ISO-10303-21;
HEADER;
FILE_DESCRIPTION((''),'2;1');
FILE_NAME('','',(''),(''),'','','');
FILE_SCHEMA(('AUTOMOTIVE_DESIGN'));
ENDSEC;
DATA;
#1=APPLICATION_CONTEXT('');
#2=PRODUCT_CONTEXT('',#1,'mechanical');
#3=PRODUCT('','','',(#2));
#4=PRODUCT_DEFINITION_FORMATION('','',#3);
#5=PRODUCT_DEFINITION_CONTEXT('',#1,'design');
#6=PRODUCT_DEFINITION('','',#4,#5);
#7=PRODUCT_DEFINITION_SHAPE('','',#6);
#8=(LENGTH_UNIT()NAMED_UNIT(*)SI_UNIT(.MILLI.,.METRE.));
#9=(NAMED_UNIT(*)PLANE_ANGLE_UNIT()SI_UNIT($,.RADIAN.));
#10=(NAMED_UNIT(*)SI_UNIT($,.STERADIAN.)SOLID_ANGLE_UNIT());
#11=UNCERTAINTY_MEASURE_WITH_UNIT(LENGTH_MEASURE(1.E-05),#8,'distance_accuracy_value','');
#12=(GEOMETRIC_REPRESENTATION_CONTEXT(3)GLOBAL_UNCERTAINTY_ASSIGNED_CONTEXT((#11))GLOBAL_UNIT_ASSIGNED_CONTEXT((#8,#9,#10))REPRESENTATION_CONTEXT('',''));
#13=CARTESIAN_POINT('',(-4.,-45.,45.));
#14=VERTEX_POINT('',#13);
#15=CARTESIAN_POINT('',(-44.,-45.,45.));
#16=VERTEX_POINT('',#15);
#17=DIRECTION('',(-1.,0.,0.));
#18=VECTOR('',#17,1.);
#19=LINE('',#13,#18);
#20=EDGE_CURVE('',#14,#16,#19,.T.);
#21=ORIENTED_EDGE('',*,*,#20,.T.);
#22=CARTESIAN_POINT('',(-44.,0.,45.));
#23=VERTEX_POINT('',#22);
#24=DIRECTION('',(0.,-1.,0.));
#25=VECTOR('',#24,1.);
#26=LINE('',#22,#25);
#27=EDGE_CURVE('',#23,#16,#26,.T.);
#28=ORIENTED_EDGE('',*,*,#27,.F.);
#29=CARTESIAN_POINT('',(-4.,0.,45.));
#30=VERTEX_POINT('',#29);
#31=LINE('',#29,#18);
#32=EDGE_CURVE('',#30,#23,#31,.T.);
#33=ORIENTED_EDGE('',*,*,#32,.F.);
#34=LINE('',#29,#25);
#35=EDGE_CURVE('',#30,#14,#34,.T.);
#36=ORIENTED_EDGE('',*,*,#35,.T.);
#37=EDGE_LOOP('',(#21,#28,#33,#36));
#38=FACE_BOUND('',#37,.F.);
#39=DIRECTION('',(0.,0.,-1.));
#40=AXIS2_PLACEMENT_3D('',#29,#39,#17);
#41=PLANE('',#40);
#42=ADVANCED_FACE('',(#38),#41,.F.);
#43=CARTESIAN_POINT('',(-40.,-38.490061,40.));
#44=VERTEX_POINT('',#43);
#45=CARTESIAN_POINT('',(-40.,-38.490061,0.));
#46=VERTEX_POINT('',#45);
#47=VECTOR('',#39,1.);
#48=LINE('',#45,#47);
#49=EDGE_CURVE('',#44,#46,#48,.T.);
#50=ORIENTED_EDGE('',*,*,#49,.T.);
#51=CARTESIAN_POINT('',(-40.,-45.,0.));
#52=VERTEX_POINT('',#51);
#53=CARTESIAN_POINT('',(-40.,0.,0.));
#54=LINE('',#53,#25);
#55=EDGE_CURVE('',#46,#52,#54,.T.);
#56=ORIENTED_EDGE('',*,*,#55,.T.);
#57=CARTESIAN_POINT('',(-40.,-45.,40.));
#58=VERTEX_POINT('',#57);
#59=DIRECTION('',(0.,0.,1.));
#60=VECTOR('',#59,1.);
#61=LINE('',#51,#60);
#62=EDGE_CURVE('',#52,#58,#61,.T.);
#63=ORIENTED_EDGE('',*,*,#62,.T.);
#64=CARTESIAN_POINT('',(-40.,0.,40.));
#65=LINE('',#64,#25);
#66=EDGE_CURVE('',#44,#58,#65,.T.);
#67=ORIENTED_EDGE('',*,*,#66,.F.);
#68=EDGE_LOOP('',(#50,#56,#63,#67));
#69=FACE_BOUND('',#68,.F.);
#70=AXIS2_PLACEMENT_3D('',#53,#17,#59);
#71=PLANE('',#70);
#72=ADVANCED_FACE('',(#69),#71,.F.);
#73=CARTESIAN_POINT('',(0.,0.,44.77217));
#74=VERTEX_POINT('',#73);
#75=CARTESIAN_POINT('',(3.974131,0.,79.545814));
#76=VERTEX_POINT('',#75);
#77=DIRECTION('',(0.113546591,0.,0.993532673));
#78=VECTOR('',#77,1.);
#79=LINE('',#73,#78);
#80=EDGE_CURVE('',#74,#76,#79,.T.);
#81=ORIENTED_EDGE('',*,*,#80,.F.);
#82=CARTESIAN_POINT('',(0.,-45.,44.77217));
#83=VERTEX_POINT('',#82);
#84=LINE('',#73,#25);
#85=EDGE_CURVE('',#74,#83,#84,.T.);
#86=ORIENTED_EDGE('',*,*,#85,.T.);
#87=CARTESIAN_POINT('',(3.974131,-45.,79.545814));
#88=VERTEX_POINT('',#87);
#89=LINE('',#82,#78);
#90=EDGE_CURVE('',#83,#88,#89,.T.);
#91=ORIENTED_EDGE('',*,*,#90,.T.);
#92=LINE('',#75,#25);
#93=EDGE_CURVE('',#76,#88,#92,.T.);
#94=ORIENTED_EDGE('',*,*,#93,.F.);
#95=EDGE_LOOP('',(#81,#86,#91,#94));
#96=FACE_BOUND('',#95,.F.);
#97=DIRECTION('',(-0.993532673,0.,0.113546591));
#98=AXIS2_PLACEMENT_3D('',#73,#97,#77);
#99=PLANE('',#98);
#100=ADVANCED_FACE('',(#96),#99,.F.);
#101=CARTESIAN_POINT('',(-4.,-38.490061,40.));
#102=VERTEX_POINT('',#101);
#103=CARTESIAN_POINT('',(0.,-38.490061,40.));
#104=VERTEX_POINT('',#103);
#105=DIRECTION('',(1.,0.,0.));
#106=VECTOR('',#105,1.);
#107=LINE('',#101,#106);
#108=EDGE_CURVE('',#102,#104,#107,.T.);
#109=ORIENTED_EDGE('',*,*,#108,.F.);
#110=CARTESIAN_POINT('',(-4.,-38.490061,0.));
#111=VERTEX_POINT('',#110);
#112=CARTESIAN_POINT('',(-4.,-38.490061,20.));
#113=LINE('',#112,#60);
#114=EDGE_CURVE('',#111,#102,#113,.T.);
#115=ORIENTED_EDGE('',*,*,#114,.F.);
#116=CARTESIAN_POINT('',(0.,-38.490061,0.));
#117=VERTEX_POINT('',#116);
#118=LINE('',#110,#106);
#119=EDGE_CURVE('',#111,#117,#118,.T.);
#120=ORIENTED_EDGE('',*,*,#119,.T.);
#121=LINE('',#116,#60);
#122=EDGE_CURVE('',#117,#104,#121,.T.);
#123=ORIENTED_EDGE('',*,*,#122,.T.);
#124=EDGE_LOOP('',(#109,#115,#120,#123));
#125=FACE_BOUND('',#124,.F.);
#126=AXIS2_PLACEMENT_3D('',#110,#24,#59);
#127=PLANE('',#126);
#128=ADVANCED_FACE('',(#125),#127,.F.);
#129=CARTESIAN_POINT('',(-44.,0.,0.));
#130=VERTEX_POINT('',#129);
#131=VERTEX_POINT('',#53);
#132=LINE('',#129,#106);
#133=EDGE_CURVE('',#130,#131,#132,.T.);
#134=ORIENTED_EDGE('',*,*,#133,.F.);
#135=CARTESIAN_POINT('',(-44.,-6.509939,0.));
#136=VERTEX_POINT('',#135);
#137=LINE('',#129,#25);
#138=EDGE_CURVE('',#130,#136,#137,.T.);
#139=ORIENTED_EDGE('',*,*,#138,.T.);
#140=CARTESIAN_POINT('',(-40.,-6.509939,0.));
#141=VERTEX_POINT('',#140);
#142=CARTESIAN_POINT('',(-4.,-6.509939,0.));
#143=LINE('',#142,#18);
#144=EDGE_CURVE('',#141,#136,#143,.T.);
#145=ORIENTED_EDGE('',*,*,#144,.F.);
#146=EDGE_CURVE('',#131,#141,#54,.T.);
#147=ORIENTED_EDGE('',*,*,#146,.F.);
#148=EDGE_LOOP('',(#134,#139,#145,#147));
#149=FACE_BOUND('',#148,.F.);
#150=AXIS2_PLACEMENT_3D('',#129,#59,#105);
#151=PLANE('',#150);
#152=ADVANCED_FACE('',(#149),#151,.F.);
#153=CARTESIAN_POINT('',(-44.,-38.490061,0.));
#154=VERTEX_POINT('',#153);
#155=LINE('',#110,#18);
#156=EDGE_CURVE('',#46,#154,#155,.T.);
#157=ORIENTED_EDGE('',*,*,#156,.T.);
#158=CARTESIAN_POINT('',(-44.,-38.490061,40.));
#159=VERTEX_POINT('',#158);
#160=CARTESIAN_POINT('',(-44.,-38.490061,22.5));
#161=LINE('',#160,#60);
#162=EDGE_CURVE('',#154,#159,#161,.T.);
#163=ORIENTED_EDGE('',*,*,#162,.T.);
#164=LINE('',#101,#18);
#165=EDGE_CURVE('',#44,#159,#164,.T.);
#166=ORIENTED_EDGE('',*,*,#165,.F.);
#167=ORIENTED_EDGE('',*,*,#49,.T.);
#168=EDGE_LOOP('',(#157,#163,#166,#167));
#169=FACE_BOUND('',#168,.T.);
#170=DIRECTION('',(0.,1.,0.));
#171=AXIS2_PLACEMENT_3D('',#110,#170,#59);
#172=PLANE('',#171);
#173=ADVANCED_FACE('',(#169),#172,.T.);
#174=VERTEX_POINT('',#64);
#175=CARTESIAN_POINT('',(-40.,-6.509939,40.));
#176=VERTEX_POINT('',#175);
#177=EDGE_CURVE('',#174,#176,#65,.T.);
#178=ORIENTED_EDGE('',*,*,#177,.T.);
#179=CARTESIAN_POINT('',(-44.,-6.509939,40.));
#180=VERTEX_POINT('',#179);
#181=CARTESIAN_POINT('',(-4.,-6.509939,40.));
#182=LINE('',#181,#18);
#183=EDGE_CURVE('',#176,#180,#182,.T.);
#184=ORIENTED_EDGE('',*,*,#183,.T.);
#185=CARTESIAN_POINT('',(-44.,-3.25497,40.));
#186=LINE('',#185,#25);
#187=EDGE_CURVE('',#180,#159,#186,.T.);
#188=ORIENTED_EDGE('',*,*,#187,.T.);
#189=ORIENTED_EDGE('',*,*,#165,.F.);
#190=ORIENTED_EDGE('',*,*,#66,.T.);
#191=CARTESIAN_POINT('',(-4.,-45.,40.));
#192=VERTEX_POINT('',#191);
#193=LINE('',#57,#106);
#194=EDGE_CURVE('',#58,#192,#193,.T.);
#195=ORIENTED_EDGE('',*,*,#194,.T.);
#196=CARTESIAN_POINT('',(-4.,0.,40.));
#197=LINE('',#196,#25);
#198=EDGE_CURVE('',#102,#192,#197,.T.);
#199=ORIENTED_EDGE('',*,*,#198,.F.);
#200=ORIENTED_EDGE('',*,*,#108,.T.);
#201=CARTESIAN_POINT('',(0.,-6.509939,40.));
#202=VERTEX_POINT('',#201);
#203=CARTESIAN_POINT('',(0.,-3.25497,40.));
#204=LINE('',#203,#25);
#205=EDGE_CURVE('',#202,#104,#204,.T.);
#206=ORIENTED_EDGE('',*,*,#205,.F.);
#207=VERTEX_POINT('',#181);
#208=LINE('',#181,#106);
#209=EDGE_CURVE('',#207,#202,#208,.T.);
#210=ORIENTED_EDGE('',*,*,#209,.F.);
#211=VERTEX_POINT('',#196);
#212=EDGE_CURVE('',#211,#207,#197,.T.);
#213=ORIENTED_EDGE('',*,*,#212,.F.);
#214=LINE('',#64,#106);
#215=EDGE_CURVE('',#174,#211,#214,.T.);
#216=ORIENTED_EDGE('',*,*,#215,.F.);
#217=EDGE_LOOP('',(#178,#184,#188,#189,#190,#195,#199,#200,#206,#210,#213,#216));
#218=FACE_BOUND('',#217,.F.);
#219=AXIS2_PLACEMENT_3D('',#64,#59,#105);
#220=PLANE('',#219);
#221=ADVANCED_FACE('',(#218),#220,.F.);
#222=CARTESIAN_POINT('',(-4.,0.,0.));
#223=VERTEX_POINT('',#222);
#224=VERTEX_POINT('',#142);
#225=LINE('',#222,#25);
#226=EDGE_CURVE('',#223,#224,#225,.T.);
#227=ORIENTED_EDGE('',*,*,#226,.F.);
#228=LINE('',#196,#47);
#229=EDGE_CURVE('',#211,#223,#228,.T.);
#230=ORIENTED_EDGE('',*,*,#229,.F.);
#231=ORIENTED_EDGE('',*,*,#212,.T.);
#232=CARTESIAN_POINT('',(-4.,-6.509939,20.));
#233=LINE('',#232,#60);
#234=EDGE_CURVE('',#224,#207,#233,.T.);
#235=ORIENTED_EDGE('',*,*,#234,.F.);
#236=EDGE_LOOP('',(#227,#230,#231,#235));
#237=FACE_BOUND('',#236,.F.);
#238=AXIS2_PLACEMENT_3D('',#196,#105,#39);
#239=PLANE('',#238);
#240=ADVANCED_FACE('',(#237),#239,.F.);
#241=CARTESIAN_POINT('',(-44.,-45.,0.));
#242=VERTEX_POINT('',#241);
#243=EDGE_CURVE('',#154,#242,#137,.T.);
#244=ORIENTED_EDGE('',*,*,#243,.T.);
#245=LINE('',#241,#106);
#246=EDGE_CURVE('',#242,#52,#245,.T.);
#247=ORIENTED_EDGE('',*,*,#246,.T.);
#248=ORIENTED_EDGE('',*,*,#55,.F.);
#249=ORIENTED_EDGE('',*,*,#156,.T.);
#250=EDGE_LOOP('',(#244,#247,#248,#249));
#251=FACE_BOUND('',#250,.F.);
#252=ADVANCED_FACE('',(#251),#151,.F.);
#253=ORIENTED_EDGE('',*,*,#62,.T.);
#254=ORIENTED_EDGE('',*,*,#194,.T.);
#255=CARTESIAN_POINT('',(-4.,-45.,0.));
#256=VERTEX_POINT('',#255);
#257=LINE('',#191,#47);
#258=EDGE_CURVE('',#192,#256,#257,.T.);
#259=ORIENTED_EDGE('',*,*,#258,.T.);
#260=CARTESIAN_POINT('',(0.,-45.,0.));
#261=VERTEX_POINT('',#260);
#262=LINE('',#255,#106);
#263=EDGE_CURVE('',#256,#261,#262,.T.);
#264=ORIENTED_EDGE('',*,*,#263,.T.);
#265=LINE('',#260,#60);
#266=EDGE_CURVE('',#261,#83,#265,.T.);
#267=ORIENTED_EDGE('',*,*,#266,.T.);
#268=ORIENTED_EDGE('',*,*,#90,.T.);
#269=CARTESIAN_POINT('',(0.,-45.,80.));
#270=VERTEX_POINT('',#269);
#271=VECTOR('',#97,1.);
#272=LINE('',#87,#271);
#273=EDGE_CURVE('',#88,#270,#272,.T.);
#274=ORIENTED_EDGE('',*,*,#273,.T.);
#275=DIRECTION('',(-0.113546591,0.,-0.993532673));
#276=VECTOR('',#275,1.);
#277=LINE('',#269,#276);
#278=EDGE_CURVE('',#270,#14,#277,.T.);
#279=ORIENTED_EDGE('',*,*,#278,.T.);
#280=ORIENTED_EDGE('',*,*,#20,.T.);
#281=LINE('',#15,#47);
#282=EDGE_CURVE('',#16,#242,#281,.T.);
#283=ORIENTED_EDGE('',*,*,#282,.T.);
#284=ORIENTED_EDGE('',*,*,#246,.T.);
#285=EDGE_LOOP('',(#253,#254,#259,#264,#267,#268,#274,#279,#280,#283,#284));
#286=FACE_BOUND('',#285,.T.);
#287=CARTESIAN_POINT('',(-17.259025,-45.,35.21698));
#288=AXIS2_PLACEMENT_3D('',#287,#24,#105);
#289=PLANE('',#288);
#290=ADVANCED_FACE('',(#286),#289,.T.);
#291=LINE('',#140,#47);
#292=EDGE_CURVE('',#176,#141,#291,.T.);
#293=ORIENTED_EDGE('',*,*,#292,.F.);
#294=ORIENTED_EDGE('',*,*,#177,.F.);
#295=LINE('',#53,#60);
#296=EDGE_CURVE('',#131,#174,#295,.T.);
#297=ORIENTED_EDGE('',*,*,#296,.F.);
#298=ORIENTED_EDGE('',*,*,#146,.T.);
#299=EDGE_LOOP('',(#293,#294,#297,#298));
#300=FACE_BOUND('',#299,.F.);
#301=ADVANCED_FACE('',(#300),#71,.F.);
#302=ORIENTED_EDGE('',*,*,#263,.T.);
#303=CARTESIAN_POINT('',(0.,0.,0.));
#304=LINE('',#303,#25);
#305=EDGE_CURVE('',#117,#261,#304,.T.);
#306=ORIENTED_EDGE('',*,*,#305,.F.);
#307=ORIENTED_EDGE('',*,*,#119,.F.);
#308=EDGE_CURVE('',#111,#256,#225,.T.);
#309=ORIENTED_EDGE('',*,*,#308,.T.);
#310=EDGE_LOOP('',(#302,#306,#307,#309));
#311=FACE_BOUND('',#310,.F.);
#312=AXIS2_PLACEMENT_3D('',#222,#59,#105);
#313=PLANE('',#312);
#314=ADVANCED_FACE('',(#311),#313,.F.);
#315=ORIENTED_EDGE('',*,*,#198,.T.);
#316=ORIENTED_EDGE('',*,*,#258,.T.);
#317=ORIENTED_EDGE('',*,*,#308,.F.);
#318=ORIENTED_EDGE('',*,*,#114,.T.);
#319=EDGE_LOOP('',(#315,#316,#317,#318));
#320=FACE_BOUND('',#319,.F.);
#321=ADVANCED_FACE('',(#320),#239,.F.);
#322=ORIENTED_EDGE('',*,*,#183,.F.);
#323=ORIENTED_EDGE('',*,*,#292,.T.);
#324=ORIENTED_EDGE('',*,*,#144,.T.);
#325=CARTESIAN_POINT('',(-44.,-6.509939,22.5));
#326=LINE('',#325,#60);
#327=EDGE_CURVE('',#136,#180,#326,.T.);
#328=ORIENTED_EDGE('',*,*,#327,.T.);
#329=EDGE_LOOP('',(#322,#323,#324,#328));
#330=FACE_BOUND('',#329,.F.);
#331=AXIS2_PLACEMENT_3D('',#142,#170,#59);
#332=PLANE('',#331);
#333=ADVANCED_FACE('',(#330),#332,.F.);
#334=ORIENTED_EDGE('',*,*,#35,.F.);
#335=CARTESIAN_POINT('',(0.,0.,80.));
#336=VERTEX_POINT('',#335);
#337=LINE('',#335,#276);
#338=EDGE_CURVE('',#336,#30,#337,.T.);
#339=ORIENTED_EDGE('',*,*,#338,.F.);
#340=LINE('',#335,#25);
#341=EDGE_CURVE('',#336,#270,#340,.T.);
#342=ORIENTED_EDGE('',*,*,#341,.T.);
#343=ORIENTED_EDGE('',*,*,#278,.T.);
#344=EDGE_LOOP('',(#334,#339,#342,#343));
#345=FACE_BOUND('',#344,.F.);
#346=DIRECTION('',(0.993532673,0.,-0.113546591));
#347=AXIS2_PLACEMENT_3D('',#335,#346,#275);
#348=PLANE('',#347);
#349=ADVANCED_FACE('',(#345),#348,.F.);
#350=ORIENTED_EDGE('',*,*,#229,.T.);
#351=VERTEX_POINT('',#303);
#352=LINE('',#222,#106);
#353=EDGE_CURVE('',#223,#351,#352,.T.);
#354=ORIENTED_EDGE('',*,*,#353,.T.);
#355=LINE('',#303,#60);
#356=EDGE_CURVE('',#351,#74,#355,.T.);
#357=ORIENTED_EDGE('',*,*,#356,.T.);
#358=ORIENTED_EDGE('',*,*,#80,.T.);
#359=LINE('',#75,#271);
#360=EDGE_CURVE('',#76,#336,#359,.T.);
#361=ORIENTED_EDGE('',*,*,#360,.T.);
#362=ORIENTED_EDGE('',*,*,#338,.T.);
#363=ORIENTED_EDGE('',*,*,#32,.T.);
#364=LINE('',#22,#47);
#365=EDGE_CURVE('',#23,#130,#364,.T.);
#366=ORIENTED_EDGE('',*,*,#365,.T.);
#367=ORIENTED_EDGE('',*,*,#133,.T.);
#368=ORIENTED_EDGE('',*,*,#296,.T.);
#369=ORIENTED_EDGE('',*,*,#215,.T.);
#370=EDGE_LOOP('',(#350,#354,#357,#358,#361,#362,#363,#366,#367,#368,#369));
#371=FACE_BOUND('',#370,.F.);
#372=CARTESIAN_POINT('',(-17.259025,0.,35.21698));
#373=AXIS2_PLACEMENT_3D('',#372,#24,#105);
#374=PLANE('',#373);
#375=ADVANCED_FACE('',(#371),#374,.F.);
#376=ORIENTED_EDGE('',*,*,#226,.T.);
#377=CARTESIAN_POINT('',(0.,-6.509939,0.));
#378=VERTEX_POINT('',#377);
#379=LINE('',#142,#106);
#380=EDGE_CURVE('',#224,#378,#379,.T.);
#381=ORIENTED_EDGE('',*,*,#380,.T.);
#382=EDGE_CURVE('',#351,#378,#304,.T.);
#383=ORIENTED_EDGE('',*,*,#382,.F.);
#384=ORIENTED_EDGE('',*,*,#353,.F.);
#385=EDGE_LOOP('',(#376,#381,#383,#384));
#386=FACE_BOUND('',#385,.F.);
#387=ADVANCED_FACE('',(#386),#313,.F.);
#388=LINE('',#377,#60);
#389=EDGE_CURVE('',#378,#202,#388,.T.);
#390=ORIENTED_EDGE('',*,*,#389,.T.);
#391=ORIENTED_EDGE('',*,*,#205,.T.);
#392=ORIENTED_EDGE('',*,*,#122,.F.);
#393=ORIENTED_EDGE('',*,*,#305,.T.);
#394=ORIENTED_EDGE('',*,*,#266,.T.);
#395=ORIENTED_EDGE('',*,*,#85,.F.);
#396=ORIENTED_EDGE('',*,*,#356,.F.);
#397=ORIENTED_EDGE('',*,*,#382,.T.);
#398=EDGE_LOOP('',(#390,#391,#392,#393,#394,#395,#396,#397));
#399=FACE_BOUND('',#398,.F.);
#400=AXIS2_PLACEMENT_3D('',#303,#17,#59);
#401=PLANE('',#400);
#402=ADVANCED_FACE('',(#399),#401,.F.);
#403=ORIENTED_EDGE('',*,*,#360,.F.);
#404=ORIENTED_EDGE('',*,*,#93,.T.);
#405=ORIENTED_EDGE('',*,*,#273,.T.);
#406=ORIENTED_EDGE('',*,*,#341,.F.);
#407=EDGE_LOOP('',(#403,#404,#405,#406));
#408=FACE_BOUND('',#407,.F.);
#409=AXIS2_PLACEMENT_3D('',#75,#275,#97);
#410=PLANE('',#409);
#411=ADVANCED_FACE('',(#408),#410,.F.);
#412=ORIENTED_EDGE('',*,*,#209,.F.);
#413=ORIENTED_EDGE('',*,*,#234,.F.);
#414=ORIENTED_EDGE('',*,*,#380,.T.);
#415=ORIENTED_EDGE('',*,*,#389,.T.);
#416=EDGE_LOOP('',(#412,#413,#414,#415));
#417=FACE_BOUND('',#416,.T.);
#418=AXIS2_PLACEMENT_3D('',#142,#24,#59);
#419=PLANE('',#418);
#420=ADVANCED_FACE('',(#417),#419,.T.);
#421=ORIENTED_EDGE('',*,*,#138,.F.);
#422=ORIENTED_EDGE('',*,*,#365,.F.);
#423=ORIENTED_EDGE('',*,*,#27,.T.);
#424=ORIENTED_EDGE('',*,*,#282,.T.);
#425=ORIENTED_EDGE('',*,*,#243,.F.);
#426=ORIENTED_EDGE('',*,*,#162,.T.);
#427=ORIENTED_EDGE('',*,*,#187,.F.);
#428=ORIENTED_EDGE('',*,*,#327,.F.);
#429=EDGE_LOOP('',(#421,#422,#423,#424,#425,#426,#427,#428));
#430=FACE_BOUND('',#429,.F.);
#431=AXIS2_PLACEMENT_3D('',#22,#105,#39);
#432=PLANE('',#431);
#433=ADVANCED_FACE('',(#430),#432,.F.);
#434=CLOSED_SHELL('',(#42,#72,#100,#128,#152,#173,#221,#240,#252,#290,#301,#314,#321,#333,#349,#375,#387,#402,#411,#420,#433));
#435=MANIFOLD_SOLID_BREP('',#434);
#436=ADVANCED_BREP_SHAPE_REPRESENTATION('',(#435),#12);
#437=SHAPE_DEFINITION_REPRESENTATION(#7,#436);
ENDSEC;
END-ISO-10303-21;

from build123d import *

# Parameters (mm, degrees)
F1_DEPTH      = 45
F2_W          = 31.9801214337
F2_H          = 40
F3_DEPTH      = 7.9751306906
F3_DEPTH_BACK = 40.001


with BuildPart() as f1:
    # F0 (on Front) → F1 (new body)
    with BuildSketch(Plane.XZ):
        Polygon((-4, 0), (0, 0), (0, 44.7721700924), (3.9741306906, 79.5458136354), (0, 80), (-4, 45), (-44, 45), (-44, 0), (-40, 0), (-40, 40), (-4, 40), align=None)
    extrude(amount=F1_DEPTH)

    # F2 (on face) → F3 (cut, two sides)
    with BuildSketch(Plane(origin=(-4, 0, 0), x_dir=(0, -1, 0), z_dir=(-1, 0, 0))) as f3_sk:
        with Locations((22.5, 20)):
            Rectangle(F2_W, F2_H)
    extrude(amount=-F3_DEPTH, mode=Mode.SUBTRACT)
    extrude(f3_sk.sketch, amount=F3_DEPTH_BACK, mode=Mode.SUBTRACT)


solid = f1.part
